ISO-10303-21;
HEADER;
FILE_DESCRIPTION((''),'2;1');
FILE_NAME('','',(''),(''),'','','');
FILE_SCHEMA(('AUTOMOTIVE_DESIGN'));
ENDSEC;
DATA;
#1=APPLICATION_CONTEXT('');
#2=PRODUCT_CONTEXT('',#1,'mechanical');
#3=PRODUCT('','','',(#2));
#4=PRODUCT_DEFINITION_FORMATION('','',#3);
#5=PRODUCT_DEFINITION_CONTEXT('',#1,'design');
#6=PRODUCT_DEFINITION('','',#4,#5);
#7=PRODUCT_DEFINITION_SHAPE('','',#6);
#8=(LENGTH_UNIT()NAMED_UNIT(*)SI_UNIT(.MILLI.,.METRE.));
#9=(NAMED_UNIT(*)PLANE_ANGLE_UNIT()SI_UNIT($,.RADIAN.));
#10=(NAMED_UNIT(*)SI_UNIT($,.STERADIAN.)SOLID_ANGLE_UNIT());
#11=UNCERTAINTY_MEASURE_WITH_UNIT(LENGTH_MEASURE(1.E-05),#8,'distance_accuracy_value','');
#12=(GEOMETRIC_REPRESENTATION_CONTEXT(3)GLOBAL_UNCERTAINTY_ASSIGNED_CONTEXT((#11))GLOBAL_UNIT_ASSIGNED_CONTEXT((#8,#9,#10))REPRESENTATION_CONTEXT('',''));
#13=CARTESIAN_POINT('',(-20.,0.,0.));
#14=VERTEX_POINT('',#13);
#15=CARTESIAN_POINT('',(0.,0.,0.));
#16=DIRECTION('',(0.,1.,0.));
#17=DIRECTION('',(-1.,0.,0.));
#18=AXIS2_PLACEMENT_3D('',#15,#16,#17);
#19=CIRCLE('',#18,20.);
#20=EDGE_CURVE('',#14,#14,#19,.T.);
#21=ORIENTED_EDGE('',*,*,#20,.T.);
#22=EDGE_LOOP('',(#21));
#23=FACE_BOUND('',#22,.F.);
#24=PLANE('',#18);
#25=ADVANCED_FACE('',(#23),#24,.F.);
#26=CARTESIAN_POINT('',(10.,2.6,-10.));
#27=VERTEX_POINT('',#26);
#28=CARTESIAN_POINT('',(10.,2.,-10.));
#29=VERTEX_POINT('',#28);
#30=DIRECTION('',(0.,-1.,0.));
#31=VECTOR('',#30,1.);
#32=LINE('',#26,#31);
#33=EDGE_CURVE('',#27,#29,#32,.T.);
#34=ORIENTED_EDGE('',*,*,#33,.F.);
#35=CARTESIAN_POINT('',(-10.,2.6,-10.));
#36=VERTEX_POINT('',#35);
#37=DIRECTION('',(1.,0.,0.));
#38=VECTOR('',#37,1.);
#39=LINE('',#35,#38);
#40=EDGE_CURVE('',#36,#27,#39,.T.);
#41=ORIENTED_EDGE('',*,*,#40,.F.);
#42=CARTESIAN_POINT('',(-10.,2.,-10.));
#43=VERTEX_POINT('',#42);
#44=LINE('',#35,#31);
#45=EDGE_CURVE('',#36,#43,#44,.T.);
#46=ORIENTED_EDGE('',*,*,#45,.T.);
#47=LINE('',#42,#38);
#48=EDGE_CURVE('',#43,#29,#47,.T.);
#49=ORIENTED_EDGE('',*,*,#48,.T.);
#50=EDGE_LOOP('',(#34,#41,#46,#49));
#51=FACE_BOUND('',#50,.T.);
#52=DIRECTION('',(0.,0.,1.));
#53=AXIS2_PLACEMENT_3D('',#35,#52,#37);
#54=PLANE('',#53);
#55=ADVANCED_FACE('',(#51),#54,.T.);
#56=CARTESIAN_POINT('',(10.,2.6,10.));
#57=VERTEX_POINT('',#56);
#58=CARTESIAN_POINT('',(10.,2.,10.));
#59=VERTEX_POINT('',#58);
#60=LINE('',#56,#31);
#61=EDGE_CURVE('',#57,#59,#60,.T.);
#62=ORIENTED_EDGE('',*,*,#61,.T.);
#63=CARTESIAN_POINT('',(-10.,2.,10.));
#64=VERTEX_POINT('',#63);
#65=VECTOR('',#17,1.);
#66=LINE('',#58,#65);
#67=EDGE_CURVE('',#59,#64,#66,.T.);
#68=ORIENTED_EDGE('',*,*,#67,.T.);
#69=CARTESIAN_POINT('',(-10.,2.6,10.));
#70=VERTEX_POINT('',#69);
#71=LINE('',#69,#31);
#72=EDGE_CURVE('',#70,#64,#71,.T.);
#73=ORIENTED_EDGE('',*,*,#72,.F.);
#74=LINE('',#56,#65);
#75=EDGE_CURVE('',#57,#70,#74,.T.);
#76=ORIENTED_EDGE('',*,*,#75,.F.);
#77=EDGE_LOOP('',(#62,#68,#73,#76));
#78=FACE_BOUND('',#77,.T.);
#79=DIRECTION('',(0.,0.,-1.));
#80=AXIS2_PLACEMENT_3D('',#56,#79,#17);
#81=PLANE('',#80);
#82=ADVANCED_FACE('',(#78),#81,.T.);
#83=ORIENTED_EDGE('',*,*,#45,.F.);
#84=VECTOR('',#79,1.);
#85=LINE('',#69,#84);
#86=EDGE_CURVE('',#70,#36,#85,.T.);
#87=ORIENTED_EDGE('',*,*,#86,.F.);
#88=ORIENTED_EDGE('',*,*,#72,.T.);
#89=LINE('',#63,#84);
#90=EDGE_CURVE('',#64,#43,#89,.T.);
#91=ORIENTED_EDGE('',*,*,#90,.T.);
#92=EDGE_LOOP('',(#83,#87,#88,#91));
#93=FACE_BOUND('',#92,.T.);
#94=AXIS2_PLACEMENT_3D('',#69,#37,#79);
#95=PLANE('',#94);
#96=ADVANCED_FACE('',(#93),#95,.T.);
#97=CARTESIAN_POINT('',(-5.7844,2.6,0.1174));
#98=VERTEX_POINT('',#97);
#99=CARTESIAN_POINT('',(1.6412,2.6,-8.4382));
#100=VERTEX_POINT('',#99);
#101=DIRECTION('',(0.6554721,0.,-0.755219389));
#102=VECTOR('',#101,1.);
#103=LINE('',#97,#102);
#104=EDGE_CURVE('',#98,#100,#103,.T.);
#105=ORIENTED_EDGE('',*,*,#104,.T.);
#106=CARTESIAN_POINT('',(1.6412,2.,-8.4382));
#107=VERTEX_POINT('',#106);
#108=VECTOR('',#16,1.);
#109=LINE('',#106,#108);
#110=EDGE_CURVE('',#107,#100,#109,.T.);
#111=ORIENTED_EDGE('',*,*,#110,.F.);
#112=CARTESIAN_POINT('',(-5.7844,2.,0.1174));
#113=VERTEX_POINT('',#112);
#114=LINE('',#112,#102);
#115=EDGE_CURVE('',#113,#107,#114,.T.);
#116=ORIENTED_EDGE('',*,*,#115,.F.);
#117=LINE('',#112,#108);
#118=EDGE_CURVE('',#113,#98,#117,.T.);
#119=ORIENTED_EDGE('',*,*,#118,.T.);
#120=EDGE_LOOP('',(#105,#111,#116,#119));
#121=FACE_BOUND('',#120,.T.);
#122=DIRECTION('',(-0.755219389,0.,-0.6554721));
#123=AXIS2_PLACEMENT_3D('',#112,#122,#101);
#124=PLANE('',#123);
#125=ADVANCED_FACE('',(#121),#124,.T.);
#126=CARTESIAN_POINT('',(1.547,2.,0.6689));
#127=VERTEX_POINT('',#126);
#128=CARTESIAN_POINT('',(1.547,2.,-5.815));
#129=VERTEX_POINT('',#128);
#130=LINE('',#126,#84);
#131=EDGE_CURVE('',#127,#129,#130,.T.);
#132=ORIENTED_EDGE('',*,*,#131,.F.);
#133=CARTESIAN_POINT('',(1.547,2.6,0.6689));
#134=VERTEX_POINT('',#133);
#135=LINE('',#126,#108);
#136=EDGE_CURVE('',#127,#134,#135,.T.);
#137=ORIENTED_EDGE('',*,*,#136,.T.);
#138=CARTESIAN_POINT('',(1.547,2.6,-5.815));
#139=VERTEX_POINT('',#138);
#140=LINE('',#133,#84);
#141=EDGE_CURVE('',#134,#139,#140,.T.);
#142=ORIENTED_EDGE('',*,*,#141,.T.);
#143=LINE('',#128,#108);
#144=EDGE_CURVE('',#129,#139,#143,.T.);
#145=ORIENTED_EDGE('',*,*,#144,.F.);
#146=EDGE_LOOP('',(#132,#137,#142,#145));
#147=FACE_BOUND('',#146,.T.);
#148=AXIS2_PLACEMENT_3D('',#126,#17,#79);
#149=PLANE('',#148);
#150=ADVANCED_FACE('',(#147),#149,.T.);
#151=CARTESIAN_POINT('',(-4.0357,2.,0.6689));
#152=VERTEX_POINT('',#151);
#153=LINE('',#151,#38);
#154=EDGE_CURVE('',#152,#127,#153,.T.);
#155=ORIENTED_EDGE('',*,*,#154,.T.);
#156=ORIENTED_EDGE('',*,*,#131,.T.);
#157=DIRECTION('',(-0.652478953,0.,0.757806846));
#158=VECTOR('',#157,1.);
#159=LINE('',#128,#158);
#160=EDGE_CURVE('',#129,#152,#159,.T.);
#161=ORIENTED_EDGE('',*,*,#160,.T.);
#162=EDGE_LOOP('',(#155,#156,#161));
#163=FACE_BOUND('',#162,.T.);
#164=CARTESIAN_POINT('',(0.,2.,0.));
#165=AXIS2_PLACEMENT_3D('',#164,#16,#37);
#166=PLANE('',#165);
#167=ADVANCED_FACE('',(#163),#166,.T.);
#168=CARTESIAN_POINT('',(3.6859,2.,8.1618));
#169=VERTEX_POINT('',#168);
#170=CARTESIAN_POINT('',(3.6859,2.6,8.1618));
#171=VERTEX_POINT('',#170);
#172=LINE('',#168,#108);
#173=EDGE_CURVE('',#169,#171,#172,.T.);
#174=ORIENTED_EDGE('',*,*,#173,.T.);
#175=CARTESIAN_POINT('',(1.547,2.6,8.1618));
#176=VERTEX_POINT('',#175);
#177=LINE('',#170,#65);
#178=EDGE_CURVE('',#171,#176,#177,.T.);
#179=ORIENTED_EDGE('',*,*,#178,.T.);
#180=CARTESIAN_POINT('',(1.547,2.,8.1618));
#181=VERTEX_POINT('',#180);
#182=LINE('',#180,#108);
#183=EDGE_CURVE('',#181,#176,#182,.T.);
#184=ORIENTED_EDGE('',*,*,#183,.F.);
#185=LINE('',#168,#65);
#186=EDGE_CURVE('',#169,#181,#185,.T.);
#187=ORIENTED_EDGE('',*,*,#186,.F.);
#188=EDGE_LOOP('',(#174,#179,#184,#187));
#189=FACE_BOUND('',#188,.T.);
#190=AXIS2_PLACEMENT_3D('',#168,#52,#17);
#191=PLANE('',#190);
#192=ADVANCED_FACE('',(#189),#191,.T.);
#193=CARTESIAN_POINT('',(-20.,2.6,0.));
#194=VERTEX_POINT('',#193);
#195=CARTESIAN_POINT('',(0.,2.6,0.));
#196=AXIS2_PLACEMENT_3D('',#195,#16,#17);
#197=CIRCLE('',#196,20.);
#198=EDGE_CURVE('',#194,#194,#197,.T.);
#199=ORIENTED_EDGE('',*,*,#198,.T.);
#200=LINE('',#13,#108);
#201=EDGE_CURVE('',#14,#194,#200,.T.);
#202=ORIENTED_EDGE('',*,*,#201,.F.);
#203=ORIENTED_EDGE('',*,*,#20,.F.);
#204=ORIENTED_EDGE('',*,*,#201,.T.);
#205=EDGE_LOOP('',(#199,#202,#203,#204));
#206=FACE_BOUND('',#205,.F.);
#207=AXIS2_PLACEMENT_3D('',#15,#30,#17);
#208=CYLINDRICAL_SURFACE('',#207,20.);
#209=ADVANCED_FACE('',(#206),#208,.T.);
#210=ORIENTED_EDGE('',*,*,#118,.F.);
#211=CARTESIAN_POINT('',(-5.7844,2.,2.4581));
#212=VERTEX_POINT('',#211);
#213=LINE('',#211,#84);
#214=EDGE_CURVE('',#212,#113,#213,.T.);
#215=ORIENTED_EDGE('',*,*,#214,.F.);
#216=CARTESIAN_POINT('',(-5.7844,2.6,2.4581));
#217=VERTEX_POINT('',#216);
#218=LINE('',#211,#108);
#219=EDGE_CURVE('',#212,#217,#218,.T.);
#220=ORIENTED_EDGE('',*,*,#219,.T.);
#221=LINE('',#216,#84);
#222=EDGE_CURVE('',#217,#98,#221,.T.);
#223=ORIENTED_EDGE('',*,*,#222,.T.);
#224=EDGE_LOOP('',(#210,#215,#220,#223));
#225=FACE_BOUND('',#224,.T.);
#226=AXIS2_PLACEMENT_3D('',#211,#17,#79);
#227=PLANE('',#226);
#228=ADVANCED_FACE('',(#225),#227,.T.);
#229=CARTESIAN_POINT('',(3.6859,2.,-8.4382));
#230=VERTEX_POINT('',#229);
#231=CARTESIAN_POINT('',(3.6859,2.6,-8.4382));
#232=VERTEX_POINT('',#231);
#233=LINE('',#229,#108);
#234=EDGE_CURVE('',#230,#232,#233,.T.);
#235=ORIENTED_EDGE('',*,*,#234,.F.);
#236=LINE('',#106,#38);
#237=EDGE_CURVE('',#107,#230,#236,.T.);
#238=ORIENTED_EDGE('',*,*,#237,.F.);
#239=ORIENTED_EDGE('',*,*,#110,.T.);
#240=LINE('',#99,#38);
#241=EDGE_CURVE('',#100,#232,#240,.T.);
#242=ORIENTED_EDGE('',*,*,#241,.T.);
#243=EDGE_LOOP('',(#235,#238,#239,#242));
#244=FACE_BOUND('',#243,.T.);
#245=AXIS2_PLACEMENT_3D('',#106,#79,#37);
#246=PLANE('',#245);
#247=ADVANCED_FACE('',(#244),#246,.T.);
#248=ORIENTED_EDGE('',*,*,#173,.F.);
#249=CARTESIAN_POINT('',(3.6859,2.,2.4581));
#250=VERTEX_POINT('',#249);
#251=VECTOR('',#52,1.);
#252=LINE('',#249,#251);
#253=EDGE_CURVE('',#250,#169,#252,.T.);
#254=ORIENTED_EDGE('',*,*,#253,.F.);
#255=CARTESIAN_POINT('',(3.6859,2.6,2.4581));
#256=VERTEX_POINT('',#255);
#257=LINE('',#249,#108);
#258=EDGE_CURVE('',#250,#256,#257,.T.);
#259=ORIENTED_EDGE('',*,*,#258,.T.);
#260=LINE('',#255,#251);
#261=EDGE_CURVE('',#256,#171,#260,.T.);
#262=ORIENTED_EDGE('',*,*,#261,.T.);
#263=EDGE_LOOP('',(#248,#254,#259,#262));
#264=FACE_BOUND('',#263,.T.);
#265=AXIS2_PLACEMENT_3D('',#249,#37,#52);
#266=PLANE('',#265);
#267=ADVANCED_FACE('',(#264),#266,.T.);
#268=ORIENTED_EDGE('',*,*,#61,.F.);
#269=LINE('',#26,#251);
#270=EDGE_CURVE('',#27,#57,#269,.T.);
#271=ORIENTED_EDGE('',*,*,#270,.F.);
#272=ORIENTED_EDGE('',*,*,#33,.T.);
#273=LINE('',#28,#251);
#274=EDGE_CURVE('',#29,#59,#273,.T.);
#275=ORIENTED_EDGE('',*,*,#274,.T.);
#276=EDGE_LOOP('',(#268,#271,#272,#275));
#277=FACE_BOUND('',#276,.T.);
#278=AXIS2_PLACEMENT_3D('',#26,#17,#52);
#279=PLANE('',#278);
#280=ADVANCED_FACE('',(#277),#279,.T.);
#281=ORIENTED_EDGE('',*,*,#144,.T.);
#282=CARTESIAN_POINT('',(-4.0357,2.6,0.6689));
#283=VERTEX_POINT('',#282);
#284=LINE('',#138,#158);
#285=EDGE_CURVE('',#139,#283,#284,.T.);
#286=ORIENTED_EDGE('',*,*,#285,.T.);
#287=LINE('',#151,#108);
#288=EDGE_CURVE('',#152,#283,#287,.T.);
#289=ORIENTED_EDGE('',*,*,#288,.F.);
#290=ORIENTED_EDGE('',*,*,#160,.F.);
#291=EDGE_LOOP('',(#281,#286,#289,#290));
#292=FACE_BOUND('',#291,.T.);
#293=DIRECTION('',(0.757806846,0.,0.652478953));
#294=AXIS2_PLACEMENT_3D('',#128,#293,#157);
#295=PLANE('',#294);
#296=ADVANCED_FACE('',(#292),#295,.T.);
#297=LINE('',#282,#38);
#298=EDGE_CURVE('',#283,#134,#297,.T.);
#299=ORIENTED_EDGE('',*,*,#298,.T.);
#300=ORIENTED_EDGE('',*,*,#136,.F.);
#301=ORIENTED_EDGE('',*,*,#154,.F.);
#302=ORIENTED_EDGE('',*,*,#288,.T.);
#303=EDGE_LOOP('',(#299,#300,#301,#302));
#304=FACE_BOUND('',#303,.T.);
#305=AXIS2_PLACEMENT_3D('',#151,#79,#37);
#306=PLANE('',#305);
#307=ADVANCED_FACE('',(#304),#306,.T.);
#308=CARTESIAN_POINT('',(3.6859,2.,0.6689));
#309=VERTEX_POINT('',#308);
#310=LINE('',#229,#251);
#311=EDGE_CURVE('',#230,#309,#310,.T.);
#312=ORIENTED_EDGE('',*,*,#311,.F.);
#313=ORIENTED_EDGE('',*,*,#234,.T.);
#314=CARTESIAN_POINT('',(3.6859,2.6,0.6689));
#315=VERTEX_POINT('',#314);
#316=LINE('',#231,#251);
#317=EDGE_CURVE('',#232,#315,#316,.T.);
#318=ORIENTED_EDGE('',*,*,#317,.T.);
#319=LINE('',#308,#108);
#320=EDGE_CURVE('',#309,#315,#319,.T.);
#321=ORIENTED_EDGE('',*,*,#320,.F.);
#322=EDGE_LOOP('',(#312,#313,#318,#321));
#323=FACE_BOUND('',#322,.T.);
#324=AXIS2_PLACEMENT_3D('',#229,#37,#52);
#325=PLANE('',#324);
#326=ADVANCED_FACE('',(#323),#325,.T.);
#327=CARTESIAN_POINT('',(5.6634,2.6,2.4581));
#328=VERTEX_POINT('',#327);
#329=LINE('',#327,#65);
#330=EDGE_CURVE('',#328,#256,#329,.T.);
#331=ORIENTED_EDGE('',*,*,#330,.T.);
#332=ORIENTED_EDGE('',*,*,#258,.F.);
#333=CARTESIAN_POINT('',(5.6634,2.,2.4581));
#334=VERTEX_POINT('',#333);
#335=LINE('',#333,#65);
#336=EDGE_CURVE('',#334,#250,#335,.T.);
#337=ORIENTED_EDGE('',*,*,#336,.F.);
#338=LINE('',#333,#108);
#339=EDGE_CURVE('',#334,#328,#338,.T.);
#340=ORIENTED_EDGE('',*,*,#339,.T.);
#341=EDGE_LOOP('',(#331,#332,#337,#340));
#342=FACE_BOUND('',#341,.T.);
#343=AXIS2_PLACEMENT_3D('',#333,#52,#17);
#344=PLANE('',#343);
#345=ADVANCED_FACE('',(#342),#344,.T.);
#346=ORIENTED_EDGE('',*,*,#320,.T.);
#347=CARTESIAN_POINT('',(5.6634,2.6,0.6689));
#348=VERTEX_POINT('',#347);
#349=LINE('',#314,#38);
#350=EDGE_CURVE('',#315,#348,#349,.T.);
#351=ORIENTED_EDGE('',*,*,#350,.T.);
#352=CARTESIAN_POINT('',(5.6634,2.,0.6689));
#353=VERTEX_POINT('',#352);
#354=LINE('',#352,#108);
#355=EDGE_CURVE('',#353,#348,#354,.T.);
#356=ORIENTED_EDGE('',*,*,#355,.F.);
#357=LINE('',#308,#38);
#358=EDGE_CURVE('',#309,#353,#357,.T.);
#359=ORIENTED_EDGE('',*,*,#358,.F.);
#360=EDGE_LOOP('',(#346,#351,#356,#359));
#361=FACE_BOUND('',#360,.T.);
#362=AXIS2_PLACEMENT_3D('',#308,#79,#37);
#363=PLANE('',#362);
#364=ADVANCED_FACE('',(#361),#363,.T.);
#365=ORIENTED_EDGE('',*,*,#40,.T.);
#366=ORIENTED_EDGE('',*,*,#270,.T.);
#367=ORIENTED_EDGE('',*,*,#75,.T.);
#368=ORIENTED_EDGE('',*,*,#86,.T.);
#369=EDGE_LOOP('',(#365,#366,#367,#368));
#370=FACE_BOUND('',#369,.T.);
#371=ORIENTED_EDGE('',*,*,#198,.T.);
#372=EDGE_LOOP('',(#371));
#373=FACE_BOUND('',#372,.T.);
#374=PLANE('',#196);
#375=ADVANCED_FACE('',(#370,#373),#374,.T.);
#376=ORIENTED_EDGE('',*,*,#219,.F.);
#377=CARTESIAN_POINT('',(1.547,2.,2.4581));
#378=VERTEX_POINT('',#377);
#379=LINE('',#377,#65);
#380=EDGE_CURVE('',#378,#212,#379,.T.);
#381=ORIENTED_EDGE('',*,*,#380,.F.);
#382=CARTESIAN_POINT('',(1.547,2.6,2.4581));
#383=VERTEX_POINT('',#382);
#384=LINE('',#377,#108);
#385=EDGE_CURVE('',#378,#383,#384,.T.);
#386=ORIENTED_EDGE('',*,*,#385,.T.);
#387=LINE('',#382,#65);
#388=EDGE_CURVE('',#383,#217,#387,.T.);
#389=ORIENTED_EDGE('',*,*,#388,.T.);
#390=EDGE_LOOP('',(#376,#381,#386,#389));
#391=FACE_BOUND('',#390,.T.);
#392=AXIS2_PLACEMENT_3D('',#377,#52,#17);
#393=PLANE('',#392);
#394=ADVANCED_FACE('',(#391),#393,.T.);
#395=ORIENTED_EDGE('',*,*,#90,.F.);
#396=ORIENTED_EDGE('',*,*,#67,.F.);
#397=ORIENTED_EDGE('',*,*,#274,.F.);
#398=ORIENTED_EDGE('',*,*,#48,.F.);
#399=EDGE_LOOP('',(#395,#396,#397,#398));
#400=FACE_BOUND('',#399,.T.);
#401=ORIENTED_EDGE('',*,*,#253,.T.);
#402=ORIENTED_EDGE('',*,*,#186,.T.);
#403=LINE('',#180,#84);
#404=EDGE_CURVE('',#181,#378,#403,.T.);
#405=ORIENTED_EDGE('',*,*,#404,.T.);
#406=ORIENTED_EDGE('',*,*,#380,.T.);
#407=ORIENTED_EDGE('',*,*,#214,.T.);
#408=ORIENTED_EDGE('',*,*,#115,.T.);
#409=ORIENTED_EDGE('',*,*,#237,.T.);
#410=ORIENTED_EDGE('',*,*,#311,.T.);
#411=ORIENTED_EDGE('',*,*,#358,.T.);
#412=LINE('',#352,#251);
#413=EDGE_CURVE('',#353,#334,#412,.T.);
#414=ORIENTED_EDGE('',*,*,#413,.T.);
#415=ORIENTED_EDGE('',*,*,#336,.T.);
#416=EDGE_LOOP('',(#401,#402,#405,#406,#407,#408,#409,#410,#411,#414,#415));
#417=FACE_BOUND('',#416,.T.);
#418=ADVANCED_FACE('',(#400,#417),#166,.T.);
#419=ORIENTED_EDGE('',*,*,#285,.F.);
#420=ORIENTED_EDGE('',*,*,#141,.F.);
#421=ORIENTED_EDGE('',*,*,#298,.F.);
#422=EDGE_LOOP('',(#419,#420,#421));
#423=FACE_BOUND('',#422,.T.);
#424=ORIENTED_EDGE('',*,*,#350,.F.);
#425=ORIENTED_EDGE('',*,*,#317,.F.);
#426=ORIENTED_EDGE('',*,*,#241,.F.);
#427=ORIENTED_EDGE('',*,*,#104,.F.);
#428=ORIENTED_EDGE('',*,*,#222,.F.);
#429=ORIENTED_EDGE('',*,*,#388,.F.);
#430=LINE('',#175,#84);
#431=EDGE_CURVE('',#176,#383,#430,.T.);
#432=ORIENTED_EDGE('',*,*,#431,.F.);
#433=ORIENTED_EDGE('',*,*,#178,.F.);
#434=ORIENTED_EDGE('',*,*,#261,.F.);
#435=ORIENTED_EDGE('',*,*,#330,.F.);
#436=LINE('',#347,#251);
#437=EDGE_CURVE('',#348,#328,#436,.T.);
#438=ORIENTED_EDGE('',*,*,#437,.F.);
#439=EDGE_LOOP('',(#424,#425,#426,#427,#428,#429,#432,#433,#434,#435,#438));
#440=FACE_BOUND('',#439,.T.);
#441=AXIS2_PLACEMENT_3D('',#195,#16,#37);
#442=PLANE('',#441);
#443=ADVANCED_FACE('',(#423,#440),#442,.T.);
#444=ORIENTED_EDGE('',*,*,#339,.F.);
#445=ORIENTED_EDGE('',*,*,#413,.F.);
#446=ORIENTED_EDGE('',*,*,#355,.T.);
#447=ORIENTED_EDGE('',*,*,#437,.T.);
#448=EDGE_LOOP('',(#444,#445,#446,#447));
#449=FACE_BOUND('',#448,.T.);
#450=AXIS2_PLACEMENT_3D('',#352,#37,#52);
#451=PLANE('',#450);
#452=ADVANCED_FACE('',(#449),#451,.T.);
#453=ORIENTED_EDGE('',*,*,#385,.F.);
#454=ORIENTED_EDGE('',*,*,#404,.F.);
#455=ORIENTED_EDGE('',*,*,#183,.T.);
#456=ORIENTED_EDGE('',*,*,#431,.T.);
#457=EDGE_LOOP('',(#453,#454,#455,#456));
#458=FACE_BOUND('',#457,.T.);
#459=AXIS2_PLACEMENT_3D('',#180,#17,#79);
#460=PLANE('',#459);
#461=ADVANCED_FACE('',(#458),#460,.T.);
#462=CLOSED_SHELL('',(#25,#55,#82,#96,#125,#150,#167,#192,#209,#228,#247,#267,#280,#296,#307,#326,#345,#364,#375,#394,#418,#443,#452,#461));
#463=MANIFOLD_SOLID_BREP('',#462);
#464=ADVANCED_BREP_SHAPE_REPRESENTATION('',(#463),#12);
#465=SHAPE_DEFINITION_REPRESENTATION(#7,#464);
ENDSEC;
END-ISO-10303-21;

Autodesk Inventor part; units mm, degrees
ref_plane "YZ Plane" through (0, 0, 0) normal (1, 0, 0) x (0, 1, 0)
ref_plane "XZ Plane" through (0, 0, 0) normal (0, 1, 0) x (-1, 0, 0)
ref_plane "XY Plane" through (0, 0, 0) normal (0, 0, 1) x (1, 0, 0)
sketch "Sketch1" plane through (0, 0, 0) normal (0, 1, 0) x (-1, 0, 0)
  circle A0 centre (0, 0) radius 20
  dimension "d0" = 40
extrude "Extrusion1" add sketch "Sketch1" along normal blind 2.6
sketch "Sketch2" plane through (0, 2.6, 0) normal (0, 1, 0) x (1, 0, 0)
  line L0 (-10, -10) -> (-10, 10)
  line L1 (-10, 10) -> (10, 10)
  line L2 (10, 10) -> (10, -10)
  line L3 (10, -10) -> (-10, -10)
  line L4 (-10, -10) -> (10, 10) construction
  line L5 (-10, 10) -> (10, -10) construction
  point P0 (0, 0)
  dimension "d3" = 20
  dimension "d4" = 20
extrude "Extrusion2" cut sketch "Sketch2" against normal blind 0.6
sketch "Sketch3" plane through (0, 2, 0) normal (0, 1, 0) x (1, 0, 0)
  line L0 (-6.2284, 8.4382) -> (6.2284, 8.4382) construction
  line L1 (6.2284, 8.4382) -> (6.2284, -8.1618) construction
  line L2 (6.2284, -8.1618) -> (-6.2284, -8.1618) construction
  line L3 (-6.2284, -8.1618) -> (-6.2284, 8.4382) construction
  line L4 (5.6634, -2.4581) -> (3.6859, -2.4581)
  line L5 (3.6859, -2.4581) -> (3.6859, -8.1618)
  line L6 (3.6859, -8.1618) -> (1.547, -8.1618)
  line L7 (1.547, -8.1618) -> (1.547, -2.4581)
  line L8 (1.547, -2.4581) -> (-5.7844, -2.4581)
  line L9 (-5.7844, -2.4581) -> (-5.7844, -0.1174)
  line L10 (-5.7844, -0.1174) -> (1.6412, 8.4382)
  line L11 (1.6412, 8.4382) -> (3.6859, 8.4382)
  line L12 (3.6859, 8.4382) -> (3.6859, -0.6689)
  line L13 (3.6859, -0.6689) -> (5.6634, -0.6689)
  line L14 (5.6634, -0.6689) -> (5.6634, -2.4581)
  line L15 (1.547, -0.6689) -> (1.547, 5.815)
  line L16 (1.547, 5.815) -> (-4.0357, -0.6689)
  line L17 (-4.0357, -0.6689) -> (1.547, -0.6689)
  point P0 (0, 0)
extrude "Extrusion3" add sketch "Sketch3" along normal blind 0.6
properties part number "TopMarker4"
